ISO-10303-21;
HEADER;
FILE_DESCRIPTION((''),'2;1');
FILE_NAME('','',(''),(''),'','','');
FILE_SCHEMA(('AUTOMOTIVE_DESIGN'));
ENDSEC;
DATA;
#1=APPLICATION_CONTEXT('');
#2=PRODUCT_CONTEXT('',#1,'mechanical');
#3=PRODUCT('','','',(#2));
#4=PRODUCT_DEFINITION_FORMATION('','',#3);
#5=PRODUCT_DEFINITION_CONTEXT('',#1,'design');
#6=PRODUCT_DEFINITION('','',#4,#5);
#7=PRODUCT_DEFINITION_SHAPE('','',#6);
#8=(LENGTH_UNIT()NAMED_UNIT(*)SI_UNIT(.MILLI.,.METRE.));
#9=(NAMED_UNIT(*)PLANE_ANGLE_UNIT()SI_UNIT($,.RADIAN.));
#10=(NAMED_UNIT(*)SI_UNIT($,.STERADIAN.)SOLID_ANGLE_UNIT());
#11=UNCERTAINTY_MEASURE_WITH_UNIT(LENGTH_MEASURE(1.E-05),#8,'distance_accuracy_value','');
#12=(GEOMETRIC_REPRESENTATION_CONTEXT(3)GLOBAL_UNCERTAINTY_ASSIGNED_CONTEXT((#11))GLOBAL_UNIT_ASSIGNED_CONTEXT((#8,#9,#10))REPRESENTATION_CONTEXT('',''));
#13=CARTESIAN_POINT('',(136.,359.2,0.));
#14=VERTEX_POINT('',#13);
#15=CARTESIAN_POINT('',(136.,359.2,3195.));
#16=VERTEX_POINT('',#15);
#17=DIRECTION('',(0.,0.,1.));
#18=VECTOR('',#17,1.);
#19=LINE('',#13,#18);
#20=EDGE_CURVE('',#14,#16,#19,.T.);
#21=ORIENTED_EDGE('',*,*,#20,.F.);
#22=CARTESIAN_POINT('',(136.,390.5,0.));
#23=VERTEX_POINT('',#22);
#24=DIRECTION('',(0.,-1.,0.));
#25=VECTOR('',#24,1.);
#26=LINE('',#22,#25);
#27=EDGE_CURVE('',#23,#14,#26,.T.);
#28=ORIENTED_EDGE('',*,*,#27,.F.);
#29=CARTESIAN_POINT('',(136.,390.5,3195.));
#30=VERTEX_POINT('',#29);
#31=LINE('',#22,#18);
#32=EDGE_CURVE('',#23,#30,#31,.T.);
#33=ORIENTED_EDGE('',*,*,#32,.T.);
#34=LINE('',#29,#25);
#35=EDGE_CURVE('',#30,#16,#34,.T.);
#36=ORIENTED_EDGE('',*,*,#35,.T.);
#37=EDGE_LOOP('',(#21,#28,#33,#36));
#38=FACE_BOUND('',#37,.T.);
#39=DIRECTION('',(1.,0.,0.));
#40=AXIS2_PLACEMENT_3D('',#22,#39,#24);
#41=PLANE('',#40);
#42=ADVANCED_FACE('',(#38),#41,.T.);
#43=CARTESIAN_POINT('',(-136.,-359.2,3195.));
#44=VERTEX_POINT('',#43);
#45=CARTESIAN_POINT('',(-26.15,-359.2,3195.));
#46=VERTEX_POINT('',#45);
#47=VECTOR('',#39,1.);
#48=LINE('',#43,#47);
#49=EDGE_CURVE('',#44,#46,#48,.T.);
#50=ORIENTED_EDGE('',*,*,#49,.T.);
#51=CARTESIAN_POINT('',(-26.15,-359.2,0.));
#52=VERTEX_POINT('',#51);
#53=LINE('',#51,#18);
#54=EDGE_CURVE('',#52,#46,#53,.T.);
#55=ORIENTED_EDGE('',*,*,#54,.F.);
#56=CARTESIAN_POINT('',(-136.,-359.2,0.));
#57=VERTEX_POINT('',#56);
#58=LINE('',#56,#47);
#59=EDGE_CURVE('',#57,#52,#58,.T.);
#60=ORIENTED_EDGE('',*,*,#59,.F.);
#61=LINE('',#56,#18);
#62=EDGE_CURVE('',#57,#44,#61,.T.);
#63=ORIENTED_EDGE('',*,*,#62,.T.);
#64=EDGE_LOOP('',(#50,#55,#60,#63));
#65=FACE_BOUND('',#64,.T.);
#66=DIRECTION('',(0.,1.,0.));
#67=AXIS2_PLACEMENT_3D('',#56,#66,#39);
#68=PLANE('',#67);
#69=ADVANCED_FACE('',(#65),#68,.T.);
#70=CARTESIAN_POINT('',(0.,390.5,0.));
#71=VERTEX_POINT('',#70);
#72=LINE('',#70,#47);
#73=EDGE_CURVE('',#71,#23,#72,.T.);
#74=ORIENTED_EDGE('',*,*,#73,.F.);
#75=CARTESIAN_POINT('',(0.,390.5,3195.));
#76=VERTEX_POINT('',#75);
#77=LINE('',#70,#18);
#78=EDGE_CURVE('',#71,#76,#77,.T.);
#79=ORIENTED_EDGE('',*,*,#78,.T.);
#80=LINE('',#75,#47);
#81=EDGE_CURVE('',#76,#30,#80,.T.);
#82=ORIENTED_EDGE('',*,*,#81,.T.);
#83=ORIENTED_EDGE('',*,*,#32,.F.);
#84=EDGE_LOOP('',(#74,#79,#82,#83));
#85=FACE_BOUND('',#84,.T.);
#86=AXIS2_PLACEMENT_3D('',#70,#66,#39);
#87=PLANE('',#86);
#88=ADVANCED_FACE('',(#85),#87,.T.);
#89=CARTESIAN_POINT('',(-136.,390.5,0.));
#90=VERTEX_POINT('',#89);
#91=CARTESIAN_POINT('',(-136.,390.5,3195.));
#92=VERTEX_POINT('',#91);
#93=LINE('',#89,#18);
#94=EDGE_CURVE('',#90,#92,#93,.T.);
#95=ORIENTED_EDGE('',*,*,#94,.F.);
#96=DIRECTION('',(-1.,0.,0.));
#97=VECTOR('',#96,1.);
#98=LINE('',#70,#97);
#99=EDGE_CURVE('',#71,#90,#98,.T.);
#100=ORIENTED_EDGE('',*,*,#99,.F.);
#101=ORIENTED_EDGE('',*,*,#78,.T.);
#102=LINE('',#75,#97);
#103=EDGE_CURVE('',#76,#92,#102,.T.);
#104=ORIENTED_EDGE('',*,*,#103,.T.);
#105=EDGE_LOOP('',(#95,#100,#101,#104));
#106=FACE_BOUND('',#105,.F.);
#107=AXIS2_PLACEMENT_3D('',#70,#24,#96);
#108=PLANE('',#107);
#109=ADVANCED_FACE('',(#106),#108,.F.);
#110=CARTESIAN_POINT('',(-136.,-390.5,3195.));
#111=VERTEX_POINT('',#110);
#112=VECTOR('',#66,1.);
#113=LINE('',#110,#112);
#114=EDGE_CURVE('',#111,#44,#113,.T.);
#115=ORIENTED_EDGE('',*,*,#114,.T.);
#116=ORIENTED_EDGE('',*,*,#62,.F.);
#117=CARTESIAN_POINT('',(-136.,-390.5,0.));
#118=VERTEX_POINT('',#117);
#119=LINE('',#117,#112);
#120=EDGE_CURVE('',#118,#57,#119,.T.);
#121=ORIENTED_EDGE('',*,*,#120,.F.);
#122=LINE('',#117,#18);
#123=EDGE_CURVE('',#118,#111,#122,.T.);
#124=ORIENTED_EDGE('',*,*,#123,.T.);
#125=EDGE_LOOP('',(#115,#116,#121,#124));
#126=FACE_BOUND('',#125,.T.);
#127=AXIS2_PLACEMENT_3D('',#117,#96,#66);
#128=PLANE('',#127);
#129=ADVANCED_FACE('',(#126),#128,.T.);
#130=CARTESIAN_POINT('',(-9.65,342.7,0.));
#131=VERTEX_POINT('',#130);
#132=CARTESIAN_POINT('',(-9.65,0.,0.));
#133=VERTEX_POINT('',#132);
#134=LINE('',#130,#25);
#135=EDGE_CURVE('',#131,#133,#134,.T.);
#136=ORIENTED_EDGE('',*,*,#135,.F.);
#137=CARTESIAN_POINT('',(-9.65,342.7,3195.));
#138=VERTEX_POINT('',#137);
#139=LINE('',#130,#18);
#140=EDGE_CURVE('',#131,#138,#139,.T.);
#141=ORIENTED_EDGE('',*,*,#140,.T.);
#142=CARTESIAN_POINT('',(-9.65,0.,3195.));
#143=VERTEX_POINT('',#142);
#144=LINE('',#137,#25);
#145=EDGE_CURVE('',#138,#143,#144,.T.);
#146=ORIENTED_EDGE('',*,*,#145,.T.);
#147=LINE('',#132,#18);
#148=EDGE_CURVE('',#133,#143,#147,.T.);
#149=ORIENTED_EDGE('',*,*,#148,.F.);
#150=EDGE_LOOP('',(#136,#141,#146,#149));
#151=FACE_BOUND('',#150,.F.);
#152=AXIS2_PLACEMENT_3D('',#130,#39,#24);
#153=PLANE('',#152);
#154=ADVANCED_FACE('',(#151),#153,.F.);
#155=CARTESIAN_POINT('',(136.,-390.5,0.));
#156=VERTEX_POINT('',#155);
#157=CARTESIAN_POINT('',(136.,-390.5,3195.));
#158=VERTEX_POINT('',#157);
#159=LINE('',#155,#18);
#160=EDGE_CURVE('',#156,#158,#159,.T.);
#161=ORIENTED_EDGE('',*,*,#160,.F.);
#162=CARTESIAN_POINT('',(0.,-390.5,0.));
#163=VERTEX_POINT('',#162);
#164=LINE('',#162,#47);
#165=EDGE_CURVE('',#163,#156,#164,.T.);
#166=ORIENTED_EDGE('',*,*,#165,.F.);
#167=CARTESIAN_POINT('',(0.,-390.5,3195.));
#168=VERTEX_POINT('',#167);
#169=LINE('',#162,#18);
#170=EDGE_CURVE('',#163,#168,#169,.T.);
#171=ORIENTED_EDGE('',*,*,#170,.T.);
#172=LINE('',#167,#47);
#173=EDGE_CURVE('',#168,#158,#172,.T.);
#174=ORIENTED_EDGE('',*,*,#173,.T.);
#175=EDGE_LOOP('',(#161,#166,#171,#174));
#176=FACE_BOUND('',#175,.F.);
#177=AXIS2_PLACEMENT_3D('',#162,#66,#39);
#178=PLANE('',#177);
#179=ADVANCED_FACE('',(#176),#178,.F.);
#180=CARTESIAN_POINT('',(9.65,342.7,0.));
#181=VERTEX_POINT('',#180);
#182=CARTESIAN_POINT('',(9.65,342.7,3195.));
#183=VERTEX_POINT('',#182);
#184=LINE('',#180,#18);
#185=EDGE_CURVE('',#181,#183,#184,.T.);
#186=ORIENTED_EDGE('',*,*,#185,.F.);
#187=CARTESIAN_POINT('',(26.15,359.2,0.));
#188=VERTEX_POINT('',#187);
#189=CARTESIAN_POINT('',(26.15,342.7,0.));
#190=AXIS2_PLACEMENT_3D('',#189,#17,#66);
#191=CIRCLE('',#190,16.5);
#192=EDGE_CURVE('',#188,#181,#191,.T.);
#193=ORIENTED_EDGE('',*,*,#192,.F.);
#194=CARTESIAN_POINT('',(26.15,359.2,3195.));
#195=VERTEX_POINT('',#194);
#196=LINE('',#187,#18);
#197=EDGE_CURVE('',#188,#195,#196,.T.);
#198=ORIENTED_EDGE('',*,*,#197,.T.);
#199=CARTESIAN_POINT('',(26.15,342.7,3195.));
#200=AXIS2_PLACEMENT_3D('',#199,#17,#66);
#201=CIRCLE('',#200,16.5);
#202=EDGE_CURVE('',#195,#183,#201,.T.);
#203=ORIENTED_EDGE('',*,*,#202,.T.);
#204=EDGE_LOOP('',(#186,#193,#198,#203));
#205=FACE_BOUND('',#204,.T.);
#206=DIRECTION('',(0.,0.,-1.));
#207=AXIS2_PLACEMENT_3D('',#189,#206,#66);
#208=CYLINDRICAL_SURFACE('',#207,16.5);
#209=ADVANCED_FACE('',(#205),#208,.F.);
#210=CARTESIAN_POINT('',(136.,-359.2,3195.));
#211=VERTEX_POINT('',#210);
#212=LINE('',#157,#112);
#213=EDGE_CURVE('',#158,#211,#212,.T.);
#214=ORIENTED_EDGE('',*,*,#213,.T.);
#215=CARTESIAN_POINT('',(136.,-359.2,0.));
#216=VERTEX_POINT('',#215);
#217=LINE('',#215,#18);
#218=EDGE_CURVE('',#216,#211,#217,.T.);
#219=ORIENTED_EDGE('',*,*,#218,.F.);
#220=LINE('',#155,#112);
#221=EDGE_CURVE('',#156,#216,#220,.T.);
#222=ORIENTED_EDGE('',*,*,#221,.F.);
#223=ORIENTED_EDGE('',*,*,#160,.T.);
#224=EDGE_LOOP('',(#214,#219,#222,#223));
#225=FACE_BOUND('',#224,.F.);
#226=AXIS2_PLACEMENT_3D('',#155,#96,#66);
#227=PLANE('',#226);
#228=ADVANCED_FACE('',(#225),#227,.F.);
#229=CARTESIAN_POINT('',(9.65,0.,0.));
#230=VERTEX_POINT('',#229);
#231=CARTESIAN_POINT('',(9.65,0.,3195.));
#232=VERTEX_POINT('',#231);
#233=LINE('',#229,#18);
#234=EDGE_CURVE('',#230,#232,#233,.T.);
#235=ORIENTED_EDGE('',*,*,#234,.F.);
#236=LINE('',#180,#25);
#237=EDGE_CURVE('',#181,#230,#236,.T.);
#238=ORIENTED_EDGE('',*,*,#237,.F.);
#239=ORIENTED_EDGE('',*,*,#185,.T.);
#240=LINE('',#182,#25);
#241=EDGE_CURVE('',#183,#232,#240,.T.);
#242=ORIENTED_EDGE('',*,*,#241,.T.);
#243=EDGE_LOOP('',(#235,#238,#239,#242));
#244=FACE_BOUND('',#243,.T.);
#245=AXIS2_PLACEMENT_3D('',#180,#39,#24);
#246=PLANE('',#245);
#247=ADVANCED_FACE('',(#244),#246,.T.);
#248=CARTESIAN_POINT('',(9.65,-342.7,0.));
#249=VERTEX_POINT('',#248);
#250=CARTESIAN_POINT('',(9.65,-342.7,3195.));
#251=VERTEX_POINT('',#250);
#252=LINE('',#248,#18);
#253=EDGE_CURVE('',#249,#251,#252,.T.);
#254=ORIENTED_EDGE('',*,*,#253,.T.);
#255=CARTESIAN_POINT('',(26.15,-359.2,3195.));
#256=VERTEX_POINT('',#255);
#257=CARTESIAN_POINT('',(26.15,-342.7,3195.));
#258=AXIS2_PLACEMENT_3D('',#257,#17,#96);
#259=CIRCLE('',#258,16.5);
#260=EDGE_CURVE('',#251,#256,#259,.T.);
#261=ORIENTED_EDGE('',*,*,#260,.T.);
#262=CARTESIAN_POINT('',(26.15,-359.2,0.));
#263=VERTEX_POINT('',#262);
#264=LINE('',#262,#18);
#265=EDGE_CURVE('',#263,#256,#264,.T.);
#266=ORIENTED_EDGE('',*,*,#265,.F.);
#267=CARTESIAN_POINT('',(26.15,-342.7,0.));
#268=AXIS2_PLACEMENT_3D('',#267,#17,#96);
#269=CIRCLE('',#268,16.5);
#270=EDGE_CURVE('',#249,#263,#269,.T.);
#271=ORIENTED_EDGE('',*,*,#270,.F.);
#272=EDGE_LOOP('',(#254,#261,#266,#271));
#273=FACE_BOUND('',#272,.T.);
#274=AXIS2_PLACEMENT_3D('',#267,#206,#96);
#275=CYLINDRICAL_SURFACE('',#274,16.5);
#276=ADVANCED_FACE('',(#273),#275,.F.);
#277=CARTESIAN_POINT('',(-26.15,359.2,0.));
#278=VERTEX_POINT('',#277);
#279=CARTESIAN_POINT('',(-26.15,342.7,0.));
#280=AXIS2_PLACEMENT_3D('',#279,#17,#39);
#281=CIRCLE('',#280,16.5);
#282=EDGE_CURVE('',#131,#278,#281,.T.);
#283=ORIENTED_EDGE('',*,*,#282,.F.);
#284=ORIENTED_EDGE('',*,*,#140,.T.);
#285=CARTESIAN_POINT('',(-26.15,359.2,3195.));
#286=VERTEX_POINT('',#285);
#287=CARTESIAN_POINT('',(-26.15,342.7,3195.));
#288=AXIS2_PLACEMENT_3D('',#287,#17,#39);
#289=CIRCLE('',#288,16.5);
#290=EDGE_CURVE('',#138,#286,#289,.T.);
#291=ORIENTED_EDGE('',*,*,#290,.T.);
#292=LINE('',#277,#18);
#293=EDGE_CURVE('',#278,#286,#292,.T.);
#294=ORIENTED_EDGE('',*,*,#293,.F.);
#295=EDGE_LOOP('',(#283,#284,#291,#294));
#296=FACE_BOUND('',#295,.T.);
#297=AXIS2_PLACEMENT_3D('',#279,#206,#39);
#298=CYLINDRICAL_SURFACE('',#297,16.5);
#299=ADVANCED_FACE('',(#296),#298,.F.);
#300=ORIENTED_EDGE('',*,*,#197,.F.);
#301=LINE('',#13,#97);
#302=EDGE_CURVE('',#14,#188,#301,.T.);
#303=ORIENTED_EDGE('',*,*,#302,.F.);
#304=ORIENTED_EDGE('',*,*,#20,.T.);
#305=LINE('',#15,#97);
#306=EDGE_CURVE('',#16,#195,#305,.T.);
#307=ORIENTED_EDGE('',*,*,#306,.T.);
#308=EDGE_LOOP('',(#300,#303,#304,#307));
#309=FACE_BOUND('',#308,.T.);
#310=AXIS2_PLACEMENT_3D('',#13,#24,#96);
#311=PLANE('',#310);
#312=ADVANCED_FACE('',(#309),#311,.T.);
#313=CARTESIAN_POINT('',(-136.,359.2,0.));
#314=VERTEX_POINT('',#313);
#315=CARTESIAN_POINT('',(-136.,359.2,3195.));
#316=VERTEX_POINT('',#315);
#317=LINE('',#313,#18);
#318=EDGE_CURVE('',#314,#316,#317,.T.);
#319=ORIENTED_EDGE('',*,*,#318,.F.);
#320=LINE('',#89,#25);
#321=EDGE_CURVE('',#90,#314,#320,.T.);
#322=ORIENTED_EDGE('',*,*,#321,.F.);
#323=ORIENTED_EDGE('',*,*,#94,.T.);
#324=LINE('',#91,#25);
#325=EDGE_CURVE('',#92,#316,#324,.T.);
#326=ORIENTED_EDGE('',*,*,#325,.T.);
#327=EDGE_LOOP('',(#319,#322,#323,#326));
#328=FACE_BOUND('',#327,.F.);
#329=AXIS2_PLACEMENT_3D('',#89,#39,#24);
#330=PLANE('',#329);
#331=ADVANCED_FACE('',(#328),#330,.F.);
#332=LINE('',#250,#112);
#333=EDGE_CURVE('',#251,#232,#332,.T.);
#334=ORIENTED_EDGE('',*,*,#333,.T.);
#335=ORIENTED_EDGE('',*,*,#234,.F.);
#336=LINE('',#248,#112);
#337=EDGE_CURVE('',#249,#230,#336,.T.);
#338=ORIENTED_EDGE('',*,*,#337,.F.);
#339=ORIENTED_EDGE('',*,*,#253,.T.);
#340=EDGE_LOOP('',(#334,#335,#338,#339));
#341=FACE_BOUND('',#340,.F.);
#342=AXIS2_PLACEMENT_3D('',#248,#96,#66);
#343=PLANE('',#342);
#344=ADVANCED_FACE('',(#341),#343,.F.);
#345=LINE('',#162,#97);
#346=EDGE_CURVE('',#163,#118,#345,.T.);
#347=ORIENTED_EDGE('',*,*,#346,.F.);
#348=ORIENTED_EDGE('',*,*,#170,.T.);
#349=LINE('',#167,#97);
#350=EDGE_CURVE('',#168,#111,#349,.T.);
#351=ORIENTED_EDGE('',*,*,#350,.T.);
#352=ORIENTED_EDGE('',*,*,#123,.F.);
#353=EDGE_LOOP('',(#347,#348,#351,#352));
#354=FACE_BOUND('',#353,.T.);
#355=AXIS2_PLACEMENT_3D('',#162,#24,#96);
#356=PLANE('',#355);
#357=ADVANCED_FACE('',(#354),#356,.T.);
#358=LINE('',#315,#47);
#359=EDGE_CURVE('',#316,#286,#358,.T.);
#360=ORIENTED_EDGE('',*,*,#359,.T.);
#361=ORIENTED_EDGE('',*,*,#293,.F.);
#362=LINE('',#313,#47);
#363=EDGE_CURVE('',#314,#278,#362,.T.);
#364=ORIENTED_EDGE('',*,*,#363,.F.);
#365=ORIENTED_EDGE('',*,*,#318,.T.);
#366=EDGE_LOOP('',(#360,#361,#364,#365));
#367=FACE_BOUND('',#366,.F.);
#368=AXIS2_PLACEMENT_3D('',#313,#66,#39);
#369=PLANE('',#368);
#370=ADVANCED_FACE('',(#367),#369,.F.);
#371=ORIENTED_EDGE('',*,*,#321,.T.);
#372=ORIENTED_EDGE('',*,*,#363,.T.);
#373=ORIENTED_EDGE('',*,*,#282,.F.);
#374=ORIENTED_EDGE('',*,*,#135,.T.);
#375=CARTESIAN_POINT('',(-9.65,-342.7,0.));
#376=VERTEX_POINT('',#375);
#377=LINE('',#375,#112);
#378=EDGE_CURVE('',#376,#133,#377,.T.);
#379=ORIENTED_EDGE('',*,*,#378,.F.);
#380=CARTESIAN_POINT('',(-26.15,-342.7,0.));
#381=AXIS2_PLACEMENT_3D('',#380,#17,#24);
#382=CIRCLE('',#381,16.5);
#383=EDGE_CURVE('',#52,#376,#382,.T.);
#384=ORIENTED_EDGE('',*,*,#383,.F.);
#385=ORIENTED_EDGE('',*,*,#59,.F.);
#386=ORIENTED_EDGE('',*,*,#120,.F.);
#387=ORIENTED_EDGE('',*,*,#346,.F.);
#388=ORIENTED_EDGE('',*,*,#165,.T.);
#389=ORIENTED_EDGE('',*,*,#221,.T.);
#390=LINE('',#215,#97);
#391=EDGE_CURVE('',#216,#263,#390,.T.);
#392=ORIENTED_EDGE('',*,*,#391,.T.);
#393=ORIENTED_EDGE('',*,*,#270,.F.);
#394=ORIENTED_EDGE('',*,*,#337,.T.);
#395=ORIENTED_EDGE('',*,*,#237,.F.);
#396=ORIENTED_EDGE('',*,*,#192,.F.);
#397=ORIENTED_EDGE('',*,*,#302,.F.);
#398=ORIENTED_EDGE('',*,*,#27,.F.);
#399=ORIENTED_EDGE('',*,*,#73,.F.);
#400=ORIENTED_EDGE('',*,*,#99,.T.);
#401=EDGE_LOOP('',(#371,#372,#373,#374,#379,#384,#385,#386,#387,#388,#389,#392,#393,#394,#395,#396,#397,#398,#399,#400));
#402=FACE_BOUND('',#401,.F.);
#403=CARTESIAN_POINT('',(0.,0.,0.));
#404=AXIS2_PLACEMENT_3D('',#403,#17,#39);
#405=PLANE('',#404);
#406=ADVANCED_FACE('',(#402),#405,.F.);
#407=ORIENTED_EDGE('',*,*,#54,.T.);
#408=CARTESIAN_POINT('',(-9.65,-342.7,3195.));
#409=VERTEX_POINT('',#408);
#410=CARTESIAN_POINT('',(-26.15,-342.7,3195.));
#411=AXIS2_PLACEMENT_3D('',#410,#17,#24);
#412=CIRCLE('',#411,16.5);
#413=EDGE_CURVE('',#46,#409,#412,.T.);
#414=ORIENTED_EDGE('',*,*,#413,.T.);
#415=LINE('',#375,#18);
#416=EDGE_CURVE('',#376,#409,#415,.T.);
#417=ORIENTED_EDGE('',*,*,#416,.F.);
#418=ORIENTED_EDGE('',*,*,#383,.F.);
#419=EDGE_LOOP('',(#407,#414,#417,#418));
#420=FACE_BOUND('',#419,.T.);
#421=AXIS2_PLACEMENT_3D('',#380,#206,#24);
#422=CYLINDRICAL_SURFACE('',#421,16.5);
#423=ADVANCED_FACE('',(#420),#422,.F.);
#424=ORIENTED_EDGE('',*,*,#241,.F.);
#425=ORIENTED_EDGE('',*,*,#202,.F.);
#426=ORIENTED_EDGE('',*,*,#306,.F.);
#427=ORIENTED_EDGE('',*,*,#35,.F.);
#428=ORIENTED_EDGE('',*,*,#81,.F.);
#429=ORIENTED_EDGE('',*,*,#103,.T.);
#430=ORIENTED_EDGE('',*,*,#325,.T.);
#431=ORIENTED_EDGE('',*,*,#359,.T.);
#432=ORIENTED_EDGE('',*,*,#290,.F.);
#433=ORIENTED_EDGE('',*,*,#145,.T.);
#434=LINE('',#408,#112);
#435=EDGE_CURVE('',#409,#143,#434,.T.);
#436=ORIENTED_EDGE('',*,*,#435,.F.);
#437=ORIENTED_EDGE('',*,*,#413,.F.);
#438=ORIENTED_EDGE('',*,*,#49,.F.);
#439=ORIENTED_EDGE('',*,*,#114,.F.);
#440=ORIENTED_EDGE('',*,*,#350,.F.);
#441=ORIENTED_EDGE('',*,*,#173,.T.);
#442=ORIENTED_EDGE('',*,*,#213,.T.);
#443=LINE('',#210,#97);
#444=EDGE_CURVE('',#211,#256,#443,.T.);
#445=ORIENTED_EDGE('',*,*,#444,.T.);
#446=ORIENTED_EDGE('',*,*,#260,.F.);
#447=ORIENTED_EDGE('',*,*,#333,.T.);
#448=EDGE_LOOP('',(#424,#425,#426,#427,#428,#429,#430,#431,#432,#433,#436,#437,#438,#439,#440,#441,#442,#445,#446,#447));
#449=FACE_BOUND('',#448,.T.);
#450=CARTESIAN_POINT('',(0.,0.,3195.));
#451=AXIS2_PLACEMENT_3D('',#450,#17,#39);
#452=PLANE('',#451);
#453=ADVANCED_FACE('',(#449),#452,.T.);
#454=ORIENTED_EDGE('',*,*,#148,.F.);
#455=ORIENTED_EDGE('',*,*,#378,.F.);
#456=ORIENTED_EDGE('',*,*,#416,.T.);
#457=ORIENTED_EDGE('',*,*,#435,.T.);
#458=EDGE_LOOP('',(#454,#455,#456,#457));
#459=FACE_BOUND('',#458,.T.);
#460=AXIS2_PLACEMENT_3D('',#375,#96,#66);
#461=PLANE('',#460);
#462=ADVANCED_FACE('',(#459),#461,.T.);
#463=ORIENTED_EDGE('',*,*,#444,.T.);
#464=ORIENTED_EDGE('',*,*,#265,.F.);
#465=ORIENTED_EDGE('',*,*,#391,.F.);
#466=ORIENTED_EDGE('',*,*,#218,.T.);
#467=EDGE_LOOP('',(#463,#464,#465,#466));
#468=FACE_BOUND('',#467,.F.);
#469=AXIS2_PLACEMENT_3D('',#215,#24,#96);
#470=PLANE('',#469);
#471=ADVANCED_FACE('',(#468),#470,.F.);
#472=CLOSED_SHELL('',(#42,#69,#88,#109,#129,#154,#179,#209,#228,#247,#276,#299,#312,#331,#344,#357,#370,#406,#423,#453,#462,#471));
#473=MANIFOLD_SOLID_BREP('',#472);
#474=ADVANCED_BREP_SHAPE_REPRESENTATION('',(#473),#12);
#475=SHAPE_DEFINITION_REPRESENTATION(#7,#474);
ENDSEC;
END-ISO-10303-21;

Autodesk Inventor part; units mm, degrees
ref_plane "YZ Plane" through (0, 0, 0) normal (1, 0, 0) x (0, 1, 0)
ref_plane "Start plane" through (0, 0, 0) normal (0, 0, 1) x (1, 0, 0)
ref_plane "End plane" through (0, 0, 3195) normal (0, 0, 1) x (1, 0, 0)
sketch "Sketch" plane through (0, 0, 0) normal (0, 0, 1) x (1, 0, 0)
  line L0 (-136, -390.5) -> (-136, -359.2)
  line L1 (-136, -359.2) -> (-26.15, -359.2)
  line L2 (-9.65, -342.7) -> (-9.65, 0)
  line L3 (-9.65, 0) -> (0, 0) construction
  line L4 (0, 0) -> (0, -390.5) construction
  line L5 (0, -390.5) -> (-136, -390.5)
  line L6 (-60, 0) -> (80, 0) construction
  line L7 (0, -60) -> (0, 80) construction
  line L8 (136, -390.5) -> (136, -359.2)
  line L9 (136, -359.2) -> (26.15, -359.2)
  line L10 (9.65, -342.7) -> (9.65, 0)
  line L11 (9.65, 0) -> (0, 0) construction
  line L12 (0, -390.5) -> (136, -390.5)
  line L13 (-136, 390.5) -> (-136, 359.2)
  line L14 (-136, 359.2) -> (-26.15, 359.2)
  line L15 (-9.65, 342.7) -> (-9.65, 0)
  line L16 (0, 390.5) -> (-136, 390.5)
  line L17 (136, 390.5) -> (136, 359.2)
  line L18 (136, 359.2) -> (26.15, 359.2)
  line L19 (0, 390.5) -> (136, 390.5)
  line L20 (9.65, 342.7) -> (9.65, 0)
  arc A0 (-9.65, 342.7) -> (-26.15, 359.2) centre (-26.15, 342.7) ccw
  arc A1 (26.15, 359.2) -> (9.65, 342.7) centre (26.15, 342.7) ccw
  arc A2 (9.65, -342.7) -> (26.15, -359.2) centre (26.15, -342.7) ccw
  arc A3 (-26.15, -359.2) -> (-9.65, -342.7) centre (-26.15, -342.7) ccw
  line L21 (0, 108) -> (0, -88) construction
  line L22 (-88, 0) -> (108, 0) construction
  point P0 (-9.65, -359.2)
  point P1 (9.65, -359.2)
  point P2 (-9.65, 359.2)
  point P3 (9.65, 359.2)
  dimension "d1" = 390.5
  dimension "d2" = 31.3
  dimension "d3" = 136
  dimension "d4" = 9.65
  dimension "d10" = 16.5
extrude "Body" add sketch "Sketch" along normal up to surface (3195 mm away) from surface at 0
sketch "Sketch4" plane through (0, 0, 0) normal (0, 0, 1) x (1, 0, 0)
  line L0 (0, 0) -> (10, 0)
ref_plane "Work Plane3" through (0, 0, 0) normal (0, -1, 0) x (1, 0, 0)
sketch "Sketch5" plane through (0, 0, 0) normal (0, -1, 0) x (1, 0, 0)
  line L0 (-2, 0) -> (12, 0) projected
  line L1 (-2, 3195) -> (12, 3195) projected
  dimension "d14" = 3195
equation "\"d1\" = 0.5 * G_H"
equation "\"d2\" = G_T1"
equation "\"d3\" = 0.5 * G_W"
equation "\"d4\" = 0.5 * G_T"
equation "\"d10\" = G_IR"
equation "\"d5\" = G_L"
equation "\"G_W\" = 272"
equation "\"G_H\" = 781"
equation "\"G_T\" = 19.3"
equation "\"G_T1\" = 31.3"
equation "\"G_IR\" = 16.5"
equation "\"G_L\" = d14"
equation "\"G_OFFSET_START\" = 0"
equation "\"G_OFFSET_END\" = 0"
equation "\"d12\" = G_OFFSET_END + B_L"
equation "\"B_L\" = 3195"
properties part number "AS 3679-1990 - 760 UB - 244 - 3195" material "Steel, Mild"
